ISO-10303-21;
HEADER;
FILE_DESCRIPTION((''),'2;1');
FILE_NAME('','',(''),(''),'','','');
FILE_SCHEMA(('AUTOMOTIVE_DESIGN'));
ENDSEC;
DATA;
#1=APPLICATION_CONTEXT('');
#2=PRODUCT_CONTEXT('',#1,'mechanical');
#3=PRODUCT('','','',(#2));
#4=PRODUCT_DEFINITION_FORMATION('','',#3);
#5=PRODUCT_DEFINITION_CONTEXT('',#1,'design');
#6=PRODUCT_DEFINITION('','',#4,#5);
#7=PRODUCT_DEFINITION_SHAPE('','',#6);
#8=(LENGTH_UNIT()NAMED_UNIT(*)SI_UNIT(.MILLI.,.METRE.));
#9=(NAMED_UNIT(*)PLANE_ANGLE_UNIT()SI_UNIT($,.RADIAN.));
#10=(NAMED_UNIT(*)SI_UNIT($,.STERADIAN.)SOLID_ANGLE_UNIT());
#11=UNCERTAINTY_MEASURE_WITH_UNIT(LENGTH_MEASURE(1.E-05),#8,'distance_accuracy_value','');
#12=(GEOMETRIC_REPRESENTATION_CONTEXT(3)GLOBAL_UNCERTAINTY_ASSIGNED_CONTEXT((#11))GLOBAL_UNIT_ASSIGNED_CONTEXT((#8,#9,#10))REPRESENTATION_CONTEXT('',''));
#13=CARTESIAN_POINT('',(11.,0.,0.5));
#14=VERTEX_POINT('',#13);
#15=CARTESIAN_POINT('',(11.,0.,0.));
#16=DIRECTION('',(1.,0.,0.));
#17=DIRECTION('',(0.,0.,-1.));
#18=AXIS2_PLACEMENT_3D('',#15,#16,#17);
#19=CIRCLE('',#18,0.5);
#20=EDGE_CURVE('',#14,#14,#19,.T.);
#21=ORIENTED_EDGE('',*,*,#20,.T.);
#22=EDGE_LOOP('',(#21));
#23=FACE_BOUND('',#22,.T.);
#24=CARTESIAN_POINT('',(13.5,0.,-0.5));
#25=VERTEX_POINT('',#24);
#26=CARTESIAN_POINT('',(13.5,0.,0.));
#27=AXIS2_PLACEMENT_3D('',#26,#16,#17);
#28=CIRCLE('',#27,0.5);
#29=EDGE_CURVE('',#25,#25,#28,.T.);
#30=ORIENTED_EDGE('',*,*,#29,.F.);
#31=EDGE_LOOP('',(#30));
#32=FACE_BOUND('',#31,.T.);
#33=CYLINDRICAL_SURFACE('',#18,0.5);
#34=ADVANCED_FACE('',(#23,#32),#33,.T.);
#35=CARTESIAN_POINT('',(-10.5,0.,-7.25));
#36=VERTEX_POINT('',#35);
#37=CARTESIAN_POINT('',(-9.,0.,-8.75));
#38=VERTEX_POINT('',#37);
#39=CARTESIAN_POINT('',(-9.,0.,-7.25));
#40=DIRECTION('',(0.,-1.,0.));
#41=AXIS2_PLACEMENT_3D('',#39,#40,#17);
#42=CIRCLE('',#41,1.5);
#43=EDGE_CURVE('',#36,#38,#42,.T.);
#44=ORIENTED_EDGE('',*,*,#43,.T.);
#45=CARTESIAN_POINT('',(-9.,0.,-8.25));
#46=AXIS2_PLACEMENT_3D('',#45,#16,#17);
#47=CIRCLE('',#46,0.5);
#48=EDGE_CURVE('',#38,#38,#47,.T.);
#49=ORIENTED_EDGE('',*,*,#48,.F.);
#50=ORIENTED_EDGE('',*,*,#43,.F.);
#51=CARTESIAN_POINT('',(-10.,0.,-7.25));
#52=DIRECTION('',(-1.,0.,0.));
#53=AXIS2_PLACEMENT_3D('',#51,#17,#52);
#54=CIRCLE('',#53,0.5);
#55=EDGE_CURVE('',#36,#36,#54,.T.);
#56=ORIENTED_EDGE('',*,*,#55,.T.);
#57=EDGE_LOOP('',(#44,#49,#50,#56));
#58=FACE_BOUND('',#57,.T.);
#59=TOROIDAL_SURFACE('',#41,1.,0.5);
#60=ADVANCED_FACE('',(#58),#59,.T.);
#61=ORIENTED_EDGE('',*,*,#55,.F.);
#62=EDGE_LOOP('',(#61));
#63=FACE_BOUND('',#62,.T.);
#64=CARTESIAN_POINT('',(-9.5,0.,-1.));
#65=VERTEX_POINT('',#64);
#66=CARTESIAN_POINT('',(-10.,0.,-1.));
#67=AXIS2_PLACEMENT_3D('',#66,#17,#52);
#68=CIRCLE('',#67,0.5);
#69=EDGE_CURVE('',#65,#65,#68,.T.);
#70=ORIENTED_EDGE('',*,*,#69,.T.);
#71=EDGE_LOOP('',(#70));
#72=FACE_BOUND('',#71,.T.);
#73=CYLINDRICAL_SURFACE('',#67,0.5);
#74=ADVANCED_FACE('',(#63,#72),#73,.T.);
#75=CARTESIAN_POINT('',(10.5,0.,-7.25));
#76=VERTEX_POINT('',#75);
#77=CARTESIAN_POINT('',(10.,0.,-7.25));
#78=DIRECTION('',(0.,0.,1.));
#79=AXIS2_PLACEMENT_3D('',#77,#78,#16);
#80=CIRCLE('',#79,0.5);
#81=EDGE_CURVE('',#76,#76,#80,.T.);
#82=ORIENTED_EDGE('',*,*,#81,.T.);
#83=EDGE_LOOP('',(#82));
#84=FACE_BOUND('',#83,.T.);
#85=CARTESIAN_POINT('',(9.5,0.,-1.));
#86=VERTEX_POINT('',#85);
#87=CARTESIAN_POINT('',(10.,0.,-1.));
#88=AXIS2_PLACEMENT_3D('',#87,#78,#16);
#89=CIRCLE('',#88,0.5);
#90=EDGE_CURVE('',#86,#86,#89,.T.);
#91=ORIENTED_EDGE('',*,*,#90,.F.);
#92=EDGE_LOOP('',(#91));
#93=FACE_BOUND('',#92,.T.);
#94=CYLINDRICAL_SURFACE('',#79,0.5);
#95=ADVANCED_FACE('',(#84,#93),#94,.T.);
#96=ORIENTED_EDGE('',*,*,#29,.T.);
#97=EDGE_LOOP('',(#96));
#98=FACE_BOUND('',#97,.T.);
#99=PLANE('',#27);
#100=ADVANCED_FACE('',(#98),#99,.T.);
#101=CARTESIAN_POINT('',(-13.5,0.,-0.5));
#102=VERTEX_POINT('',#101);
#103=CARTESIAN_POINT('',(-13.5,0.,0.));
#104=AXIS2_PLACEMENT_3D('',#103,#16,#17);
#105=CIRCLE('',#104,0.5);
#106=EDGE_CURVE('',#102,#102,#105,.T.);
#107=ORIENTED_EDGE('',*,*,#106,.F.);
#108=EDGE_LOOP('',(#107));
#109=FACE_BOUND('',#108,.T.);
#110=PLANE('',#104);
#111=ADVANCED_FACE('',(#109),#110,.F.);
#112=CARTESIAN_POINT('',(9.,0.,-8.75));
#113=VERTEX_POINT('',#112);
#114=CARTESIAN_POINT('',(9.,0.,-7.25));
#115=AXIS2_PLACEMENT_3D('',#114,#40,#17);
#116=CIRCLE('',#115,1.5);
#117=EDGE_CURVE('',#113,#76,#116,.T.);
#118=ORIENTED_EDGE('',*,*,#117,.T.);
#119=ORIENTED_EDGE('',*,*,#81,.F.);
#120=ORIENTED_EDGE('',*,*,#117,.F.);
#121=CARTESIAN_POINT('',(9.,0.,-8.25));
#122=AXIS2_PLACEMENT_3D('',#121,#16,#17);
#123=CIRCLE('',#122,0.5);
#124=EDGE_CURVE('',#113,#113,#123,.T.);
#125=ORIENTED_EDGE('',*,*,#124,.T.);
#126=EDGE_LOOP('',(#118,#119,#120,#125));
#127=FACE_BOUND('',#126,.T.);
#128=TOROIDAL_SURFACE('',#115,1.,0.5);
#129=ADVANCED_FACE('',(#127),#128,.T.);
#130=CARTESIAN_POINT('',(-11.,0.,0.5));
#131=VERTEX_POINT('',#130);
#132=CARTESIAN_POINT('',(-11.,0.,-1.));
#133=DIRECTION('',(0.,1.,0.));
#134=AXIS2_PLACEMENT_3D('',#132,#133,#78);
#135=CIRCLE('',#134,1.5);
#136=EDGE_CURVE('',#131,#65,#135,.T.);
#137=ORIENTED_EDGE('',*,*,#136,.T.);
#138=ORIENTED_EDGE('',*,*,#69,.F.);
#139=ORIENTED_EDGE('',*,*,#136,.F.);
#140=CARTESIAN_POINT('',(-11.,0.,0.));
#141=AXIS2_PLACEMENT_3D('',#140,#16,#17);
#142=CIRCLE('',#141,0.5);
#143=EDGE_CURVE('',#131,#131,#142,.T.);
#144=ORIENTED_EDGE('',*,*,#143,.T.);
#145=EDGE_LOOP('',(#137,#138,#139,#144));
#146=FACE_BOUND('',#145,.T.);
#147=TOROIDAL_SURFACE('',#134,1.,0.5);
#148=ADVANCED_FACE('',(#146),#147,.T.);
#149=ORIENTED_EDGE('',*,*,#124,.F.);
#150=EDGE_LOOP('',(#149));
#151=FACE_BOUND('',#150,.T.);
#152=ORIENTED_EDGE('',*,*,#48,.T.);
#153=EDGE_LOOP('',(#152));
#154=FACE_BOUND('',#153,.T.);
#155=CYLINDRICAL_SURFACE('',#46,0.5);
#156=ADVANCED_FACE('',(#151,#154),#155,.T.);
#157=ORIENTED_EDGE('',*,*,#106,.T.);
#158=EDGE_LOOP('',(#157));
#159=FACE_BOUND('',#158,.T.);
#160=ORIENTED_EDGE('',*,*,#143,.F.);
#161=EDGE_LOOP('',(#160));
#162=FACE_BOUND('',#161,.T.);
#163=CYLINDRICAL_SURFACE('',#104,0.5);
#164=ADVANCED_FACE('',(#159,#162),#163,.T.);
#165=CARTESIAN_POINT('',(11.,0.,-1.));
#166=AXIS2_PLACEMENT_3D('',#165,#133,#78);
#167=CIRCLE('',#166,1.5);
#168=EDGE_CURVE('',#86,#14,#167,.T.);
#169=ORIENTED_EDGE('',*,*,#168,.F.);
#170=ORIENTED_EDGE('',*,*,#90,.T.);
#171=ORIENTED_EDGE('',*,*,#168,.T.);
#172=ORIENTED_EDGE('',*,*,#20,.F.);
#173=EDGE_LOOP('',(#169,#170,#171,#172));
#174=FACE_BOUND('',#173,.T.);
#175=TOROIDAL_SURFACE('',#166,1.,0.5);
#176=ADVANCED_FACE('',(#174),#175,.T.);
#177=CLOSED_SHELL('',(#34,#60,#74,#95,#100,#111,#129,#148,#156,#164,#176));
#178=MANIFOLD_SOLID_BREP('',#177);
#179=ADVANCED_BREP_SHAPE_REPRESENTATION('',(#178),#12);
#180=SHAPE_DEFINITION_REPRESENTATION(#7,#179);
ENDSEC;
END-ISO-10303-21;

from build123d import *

# Parameters (mm, degrees)
SKETCH4_R = 0.5


with BuildPart() as part:
    # Sweep1: sweep along a path in Sketch1
    with BuildLine(Plane(origin=(0, 0, 0), x_dir=(1, 0, 0), z_dir=(0, 1, 0))) as sweep1_path:
        Line((-13.5, 0), (-11, 0))
        ThreePointArc((-11, 0), (-10.292893219, 0.292893219), (-10, 1))
        Line((-10, 1), (-10, 7.25))
        ThreePointArc((-10, 7.25), (-9.707106781, 7.957106781), (-9, 8.25))
        Line((-9, 8.25), (9, 8.25))
        ThreePointArc((9, 8.25), (9.707106781, 7.957106781), (10, 7.25))
        Line((10, 7.25), (10, 1))
        ThreePointArc((10, 1), (10.292893219, 0.292893219), (11, 0))
        Line((11, 0), (13.5, 0))
    # Sketch4 → Sweep1 (sweep)
    with BuildSketch(Plane(origin=(-13.5, 0, 0), x_dir=(0, 0, -1), z_dir=(1, 0, 0))):
        Circle(SKETCH4_R)
    sweep(path=sweep1_path.line)


solid = part.part
